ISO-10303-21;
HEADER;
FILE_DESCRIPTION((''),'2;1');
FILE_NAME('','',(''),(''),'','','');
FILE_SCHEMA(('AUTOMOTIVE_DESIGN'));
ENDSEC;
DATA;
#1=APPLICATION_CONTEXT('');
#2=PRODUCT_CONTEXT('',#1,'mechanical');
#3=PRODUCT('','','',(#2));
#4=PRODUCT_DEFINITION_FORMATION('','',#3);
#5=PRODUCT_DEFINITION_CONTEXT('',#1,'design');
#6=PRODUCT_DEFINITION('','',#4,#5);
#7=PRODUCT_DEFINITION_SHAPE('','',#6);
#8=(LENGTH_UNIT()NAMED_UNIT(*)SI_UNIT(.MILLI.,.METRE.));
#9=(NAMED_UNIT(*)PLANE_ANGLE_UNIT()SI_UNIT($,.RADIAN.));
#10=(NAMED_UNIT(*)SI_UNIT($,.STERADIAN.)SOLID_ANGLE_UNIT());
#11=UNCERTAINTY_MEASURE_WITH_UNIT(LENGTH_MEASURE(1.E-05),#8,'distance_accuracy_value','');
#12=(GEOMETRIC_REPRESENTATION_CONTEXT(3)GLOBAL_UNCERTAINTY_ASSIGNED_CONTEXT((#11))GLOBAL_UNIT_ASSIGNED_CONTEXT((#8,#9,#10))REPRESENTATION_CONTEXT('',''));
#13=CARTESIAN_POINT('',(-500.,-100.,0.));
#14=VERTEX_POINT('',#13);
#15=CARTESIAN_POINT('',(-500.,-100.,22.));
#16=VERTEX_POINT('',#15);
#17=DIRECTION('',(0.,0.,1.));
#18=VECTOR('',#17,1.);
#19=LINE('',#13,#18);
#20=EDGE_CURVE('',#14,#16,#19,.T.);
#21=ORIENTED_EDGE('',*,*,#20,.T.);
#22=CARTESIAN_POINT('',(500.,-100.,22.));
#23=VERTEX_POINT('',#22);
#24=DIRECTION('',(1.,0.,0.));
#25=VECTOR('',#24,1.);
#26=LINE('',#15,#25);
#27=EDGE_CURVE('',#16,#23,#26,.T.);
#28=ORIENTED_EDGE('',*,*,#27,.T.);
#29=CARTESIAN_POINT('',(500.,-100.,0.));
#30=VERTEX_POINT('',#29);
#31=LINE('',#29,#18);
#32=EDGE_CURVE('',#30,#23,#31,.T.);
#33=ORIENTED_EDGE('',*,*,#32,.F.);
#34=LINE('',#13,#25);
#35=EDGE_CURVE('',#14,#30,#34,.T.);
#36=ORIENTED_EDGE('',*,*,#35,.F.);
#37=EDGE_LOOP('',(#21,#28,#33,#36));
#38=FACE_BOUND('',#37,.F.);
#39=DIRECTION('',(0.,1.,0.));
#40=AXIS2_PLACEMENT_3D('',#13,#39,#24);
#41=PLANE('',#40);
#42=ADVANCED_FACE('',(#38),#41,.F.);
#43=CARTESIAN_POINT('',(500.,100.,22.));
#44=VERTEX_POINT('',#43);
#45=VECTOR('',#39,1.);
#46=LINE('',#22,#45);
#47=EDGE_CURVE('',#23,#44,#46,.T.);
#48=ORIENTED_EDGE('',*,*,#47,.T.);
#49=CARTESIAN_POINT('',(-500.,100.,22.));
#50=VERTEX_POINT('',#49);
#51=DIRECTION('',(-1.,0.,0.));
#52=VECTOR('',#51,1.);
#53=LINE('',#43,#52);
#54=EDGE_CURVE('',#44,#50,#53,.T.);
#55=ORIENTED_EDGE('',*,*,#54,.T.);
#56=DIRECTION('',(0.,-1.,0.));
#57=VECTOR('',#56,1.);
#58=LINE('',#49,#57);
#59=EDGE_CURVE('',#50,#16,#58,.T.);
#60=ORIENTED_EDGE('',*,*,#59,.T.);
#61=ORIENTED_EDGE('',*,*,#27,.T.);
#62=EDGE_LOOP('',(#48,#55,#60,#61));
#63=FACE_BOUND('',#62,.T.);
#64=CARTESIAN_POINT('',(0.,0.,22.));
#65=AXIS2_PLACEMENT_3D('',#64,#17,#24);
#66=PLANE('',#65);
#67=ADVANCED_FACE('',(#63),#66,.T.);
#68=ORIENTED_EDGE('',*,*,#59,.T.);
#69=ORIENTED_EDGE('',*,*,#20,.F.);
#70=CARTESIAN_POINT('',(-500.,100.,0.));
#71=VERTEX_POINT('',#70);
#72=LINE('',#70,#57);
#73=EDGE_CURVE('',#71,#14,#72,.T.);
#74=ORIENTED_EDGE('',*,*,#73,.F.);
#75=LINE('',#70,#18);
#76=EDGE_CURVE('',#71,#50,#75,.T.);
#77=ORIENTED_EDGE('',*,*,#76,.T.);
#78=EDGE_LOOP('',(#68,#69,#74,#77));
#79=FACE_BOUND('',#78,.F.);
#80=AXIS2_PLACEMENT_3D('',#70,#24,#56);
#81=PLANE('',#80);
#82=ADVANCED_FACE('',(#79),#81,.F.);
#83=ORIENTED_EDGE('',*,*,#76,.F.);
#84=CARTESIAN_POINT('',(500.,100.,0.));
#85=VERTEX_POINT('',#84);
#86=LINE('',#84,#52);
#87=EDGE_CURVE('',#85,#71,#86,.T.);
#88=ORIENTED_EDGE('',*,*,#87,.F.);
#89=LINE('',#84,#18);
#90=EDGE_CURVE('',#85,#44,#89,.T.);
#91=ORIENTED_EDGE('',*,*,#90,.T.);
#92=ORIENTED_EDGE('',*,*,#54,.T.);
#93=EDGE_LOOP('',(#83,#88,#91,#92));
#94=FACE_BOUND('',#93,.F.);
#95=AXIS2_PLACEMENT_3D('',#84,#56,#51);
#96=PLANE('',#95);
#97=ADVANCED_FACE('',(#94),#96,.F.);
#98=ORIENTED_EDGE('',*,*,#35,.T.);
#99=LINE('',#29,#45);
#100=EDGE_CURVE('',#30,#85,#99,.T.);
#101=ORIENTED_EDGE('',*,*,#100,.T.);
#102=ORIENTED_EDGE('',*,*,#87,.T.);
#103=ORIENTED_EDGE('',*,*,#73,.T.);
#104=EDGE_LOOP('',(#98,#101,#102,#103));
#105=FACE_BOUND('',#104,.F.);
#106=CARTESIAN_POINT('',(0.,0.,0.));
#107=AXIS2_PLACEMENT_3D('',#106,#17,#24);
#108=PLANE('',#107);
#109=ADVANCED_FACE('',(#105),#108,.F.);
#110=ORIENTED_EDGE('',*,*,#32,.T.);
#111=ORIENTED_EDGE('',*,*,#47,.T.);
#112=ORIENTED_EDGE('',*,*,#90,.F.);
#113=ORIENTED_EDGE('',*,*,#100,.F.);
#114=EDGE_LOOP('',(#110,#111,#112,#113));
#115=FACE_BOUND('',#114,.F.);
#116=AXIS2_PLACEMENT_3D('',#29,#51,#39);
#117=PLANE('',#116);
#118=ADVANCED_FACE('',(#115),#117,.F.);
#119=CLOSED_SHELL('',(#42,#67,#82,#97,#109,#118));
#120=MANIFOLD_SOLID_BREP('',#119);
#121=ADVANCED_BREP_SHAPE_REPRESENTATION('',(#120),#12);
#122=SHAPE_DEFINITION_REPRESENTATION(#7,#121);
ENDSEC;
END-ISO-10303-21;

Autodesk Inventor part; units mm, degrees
ref_plane "YZ Plane" through (0, 0, 0) normal (1, 0, 0) x (0, 1, 0)
ref_plane "XZ Plane" through (0, 0, 0) normal (0, 1, 0) x (-1, 0, 0)
ref_plane "XY Plane" through (0, 0, 0) normal (0, 0, 1) x (1, 0, 0)
sketch "Sketch1" plane through (0, 0, 0) normal (0, 0, 1) x (1, 0, 0)
  line L0 (-500, -100) -> (500, -100)
  line L1 (500, -100) -> (500, 100)
  line L2 (500, 100) -> (-500, 100)
  line L3 (-500, 100) -> (-500, -100)
  line L4 (-500, -100) -> (500, 100) construction
  line L5 (500, -100) -> (-500, 100) construction
  point P0 (0, 0)
  dimension "d0" = 1000
  dimension "d1" = 200
extrude "Extrusion1" add sketch "Sketch1" along normal blind 22
properties part number "ShortSide"
